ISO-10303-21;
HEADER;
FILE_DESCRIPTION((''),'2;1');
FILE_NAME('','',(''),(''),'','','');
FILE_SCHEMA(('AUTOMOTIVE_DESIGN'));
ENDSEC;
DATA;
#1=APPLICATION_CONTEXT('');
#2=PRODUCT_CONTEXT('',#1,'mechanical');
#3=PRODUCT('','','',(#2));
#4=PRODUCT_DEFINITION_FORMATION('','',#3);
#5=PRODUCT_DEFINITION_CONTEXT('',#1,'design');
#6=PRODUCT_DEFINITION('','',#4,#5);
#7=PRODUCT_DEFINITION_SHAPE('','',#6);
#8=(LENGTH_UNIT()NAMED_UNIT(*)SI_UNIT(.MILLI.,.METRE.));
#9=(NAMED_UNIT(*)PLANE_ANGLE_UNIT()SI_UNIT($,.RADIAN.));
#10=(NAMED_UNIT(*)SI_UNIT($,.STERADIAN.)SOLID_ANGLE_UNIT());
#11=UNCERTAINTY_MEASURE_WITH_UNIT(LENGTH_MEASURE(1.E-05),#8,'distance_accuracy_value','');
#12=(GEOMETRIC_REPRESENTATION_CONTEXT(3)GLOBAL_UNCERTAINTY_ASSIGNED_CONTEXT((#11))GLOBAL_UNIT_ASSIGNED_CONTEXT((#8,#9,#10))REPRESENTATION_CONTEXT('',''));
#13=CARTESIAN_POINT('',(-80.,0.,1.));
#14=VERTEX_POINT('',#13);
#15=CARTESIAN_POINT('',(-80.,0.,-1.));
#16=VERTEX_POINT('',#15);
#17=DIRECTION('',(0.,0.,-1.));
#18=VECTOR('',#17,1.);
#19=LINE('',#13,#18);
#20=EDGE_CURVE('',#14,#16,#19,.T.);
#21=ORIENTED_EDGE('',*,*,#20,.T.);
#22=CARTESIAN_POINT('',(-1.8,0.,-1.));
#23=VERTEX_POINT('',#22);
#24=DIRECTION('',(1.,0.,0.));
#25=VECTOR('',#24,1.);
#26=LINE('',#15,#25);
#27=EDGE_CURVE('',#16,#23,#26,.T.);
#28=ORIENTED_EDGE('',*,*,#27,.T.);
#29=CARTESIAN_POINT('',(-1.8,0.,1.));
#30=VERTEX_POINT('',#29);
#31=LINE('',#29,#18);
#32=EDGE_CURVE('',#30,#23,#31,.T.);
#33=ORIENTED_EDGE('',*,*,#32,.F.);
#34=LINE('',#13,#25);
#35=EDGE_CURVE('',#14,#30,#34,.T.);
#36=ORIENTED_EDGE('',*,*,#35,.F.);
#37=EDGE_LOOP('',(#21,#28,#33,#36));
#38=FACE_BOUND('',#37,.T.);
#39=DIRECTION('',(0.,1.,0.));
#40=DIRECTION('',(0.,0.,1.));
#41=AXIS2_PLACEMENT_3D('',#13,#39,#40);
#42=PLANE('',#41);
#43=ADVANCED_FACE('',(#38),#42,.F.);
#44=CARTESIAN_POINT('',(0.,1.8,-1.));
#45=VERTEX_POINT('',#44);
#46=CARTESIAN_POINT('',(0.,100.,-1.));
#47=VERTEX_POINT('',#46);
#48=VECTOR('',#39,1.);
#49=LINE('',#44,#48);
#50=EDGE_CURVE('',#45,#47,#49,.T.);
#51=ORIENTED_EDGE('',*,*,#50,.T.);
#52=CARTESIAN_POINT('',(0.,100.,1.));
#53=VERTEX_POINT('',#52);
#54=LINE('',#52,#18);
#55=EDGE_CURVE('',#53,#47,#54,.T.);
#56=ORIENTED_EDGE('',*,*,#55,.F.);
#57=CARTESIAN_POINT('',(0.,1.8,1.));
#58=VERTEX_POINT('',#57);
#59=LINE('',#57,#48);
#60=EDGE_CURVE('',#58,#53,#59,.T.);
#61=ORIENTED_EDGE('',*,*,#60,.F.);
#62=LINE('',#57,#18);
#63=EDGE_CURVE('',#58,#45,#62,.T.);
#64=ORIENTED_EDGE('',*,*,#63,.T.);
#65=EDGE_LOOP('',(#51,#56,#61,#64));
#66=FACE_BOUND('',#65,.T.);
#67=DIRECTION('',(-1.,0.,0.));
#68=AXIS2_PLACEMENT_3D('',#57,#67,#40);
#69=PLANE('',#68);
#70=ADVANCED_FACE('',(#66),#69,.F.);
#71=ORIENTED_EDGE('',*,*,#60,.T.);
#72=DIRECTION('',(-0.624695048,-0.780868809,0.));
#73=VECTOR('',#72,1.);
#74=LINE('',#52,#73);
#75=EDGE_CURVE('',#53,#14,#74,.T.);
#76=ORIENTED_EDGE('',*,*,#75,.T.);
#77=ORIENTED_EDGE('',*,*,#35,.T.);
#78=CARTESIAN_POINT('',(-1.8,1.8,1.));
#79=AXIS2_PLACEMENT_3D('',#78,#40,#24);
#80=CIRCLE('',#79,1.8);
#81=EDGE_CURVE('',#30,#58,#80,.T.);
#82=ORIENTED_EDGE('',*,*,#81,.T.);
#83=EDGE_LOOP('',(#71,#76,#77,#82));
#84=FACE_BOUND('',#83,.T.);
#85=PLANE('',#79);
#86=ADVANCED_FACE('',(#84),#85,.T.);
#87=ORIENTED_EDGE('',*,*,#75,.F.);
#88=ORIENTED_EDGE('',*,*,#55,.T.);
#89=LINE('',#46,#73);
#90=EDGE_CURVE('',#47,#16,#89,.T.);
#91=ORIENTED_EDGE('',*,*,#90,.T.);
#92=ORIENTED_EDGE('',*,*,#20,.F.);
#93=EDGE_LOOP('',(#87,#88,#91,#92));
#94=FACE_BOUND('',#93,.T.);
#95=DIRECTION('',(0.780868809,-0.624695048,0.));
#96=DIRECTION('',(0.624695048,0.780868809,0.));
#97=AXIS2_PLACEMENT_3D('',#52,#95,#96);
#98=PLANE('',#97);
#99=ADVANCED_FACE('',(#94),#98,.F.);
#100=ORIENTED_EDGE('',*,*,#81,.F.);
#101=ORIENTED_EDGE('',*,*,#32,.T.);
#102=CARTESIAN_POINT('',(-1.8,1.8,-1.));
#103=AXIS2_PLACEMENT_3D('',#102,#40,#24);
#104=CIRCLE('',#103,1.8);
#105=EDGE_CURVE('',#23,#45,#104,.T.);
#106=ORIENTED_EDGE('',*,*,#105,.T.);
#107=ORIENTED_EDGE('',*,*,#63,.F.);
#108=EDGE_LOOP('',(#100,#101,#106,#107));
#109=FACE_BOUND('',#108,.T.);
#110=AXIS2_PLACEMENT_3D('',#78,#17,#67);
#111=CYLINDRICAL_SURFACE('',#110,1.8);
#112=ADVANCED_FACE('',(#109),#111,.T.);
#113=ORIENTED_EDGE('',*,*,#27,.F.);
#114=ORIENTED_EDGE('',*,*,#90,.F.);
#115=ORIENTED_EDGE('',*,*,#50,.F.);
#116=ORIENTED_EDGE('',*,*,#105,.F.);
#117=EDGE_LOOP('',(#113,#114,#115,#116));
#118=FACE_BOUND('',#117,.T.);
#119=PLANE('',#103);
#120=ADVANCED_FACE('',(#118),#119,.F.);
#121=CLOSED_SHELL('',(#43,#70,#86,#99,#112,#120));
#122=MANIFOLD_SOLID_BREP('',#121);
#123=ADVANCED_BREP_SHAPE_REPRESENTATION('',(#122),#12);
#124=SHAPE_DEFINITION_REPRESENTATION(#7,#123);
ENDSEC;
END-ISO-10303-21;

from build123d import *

# Parameters (mm, degrees)
BOSS_EXTRUDE1_DEPTH = 1


with BuildPart() as part:
    # Sketch1 → Boss-Extrude1 (new body, symmetric)
    with BuildSketch(Plane.XY):
        with BuildLine():
            Line((-80, 0), (-1.8, 0))
            ThreePointArc((-1.8, 0), (-0.527207794, 0.527207794), (0, 1.8))
            Line((0, 1.8), (0, 100))
            Line((0, 100), (-80, 0))
        make_face()
    extrude(amount=BOSS_EXTRUDE1_DEPTH, both=True)


solid = part.part
